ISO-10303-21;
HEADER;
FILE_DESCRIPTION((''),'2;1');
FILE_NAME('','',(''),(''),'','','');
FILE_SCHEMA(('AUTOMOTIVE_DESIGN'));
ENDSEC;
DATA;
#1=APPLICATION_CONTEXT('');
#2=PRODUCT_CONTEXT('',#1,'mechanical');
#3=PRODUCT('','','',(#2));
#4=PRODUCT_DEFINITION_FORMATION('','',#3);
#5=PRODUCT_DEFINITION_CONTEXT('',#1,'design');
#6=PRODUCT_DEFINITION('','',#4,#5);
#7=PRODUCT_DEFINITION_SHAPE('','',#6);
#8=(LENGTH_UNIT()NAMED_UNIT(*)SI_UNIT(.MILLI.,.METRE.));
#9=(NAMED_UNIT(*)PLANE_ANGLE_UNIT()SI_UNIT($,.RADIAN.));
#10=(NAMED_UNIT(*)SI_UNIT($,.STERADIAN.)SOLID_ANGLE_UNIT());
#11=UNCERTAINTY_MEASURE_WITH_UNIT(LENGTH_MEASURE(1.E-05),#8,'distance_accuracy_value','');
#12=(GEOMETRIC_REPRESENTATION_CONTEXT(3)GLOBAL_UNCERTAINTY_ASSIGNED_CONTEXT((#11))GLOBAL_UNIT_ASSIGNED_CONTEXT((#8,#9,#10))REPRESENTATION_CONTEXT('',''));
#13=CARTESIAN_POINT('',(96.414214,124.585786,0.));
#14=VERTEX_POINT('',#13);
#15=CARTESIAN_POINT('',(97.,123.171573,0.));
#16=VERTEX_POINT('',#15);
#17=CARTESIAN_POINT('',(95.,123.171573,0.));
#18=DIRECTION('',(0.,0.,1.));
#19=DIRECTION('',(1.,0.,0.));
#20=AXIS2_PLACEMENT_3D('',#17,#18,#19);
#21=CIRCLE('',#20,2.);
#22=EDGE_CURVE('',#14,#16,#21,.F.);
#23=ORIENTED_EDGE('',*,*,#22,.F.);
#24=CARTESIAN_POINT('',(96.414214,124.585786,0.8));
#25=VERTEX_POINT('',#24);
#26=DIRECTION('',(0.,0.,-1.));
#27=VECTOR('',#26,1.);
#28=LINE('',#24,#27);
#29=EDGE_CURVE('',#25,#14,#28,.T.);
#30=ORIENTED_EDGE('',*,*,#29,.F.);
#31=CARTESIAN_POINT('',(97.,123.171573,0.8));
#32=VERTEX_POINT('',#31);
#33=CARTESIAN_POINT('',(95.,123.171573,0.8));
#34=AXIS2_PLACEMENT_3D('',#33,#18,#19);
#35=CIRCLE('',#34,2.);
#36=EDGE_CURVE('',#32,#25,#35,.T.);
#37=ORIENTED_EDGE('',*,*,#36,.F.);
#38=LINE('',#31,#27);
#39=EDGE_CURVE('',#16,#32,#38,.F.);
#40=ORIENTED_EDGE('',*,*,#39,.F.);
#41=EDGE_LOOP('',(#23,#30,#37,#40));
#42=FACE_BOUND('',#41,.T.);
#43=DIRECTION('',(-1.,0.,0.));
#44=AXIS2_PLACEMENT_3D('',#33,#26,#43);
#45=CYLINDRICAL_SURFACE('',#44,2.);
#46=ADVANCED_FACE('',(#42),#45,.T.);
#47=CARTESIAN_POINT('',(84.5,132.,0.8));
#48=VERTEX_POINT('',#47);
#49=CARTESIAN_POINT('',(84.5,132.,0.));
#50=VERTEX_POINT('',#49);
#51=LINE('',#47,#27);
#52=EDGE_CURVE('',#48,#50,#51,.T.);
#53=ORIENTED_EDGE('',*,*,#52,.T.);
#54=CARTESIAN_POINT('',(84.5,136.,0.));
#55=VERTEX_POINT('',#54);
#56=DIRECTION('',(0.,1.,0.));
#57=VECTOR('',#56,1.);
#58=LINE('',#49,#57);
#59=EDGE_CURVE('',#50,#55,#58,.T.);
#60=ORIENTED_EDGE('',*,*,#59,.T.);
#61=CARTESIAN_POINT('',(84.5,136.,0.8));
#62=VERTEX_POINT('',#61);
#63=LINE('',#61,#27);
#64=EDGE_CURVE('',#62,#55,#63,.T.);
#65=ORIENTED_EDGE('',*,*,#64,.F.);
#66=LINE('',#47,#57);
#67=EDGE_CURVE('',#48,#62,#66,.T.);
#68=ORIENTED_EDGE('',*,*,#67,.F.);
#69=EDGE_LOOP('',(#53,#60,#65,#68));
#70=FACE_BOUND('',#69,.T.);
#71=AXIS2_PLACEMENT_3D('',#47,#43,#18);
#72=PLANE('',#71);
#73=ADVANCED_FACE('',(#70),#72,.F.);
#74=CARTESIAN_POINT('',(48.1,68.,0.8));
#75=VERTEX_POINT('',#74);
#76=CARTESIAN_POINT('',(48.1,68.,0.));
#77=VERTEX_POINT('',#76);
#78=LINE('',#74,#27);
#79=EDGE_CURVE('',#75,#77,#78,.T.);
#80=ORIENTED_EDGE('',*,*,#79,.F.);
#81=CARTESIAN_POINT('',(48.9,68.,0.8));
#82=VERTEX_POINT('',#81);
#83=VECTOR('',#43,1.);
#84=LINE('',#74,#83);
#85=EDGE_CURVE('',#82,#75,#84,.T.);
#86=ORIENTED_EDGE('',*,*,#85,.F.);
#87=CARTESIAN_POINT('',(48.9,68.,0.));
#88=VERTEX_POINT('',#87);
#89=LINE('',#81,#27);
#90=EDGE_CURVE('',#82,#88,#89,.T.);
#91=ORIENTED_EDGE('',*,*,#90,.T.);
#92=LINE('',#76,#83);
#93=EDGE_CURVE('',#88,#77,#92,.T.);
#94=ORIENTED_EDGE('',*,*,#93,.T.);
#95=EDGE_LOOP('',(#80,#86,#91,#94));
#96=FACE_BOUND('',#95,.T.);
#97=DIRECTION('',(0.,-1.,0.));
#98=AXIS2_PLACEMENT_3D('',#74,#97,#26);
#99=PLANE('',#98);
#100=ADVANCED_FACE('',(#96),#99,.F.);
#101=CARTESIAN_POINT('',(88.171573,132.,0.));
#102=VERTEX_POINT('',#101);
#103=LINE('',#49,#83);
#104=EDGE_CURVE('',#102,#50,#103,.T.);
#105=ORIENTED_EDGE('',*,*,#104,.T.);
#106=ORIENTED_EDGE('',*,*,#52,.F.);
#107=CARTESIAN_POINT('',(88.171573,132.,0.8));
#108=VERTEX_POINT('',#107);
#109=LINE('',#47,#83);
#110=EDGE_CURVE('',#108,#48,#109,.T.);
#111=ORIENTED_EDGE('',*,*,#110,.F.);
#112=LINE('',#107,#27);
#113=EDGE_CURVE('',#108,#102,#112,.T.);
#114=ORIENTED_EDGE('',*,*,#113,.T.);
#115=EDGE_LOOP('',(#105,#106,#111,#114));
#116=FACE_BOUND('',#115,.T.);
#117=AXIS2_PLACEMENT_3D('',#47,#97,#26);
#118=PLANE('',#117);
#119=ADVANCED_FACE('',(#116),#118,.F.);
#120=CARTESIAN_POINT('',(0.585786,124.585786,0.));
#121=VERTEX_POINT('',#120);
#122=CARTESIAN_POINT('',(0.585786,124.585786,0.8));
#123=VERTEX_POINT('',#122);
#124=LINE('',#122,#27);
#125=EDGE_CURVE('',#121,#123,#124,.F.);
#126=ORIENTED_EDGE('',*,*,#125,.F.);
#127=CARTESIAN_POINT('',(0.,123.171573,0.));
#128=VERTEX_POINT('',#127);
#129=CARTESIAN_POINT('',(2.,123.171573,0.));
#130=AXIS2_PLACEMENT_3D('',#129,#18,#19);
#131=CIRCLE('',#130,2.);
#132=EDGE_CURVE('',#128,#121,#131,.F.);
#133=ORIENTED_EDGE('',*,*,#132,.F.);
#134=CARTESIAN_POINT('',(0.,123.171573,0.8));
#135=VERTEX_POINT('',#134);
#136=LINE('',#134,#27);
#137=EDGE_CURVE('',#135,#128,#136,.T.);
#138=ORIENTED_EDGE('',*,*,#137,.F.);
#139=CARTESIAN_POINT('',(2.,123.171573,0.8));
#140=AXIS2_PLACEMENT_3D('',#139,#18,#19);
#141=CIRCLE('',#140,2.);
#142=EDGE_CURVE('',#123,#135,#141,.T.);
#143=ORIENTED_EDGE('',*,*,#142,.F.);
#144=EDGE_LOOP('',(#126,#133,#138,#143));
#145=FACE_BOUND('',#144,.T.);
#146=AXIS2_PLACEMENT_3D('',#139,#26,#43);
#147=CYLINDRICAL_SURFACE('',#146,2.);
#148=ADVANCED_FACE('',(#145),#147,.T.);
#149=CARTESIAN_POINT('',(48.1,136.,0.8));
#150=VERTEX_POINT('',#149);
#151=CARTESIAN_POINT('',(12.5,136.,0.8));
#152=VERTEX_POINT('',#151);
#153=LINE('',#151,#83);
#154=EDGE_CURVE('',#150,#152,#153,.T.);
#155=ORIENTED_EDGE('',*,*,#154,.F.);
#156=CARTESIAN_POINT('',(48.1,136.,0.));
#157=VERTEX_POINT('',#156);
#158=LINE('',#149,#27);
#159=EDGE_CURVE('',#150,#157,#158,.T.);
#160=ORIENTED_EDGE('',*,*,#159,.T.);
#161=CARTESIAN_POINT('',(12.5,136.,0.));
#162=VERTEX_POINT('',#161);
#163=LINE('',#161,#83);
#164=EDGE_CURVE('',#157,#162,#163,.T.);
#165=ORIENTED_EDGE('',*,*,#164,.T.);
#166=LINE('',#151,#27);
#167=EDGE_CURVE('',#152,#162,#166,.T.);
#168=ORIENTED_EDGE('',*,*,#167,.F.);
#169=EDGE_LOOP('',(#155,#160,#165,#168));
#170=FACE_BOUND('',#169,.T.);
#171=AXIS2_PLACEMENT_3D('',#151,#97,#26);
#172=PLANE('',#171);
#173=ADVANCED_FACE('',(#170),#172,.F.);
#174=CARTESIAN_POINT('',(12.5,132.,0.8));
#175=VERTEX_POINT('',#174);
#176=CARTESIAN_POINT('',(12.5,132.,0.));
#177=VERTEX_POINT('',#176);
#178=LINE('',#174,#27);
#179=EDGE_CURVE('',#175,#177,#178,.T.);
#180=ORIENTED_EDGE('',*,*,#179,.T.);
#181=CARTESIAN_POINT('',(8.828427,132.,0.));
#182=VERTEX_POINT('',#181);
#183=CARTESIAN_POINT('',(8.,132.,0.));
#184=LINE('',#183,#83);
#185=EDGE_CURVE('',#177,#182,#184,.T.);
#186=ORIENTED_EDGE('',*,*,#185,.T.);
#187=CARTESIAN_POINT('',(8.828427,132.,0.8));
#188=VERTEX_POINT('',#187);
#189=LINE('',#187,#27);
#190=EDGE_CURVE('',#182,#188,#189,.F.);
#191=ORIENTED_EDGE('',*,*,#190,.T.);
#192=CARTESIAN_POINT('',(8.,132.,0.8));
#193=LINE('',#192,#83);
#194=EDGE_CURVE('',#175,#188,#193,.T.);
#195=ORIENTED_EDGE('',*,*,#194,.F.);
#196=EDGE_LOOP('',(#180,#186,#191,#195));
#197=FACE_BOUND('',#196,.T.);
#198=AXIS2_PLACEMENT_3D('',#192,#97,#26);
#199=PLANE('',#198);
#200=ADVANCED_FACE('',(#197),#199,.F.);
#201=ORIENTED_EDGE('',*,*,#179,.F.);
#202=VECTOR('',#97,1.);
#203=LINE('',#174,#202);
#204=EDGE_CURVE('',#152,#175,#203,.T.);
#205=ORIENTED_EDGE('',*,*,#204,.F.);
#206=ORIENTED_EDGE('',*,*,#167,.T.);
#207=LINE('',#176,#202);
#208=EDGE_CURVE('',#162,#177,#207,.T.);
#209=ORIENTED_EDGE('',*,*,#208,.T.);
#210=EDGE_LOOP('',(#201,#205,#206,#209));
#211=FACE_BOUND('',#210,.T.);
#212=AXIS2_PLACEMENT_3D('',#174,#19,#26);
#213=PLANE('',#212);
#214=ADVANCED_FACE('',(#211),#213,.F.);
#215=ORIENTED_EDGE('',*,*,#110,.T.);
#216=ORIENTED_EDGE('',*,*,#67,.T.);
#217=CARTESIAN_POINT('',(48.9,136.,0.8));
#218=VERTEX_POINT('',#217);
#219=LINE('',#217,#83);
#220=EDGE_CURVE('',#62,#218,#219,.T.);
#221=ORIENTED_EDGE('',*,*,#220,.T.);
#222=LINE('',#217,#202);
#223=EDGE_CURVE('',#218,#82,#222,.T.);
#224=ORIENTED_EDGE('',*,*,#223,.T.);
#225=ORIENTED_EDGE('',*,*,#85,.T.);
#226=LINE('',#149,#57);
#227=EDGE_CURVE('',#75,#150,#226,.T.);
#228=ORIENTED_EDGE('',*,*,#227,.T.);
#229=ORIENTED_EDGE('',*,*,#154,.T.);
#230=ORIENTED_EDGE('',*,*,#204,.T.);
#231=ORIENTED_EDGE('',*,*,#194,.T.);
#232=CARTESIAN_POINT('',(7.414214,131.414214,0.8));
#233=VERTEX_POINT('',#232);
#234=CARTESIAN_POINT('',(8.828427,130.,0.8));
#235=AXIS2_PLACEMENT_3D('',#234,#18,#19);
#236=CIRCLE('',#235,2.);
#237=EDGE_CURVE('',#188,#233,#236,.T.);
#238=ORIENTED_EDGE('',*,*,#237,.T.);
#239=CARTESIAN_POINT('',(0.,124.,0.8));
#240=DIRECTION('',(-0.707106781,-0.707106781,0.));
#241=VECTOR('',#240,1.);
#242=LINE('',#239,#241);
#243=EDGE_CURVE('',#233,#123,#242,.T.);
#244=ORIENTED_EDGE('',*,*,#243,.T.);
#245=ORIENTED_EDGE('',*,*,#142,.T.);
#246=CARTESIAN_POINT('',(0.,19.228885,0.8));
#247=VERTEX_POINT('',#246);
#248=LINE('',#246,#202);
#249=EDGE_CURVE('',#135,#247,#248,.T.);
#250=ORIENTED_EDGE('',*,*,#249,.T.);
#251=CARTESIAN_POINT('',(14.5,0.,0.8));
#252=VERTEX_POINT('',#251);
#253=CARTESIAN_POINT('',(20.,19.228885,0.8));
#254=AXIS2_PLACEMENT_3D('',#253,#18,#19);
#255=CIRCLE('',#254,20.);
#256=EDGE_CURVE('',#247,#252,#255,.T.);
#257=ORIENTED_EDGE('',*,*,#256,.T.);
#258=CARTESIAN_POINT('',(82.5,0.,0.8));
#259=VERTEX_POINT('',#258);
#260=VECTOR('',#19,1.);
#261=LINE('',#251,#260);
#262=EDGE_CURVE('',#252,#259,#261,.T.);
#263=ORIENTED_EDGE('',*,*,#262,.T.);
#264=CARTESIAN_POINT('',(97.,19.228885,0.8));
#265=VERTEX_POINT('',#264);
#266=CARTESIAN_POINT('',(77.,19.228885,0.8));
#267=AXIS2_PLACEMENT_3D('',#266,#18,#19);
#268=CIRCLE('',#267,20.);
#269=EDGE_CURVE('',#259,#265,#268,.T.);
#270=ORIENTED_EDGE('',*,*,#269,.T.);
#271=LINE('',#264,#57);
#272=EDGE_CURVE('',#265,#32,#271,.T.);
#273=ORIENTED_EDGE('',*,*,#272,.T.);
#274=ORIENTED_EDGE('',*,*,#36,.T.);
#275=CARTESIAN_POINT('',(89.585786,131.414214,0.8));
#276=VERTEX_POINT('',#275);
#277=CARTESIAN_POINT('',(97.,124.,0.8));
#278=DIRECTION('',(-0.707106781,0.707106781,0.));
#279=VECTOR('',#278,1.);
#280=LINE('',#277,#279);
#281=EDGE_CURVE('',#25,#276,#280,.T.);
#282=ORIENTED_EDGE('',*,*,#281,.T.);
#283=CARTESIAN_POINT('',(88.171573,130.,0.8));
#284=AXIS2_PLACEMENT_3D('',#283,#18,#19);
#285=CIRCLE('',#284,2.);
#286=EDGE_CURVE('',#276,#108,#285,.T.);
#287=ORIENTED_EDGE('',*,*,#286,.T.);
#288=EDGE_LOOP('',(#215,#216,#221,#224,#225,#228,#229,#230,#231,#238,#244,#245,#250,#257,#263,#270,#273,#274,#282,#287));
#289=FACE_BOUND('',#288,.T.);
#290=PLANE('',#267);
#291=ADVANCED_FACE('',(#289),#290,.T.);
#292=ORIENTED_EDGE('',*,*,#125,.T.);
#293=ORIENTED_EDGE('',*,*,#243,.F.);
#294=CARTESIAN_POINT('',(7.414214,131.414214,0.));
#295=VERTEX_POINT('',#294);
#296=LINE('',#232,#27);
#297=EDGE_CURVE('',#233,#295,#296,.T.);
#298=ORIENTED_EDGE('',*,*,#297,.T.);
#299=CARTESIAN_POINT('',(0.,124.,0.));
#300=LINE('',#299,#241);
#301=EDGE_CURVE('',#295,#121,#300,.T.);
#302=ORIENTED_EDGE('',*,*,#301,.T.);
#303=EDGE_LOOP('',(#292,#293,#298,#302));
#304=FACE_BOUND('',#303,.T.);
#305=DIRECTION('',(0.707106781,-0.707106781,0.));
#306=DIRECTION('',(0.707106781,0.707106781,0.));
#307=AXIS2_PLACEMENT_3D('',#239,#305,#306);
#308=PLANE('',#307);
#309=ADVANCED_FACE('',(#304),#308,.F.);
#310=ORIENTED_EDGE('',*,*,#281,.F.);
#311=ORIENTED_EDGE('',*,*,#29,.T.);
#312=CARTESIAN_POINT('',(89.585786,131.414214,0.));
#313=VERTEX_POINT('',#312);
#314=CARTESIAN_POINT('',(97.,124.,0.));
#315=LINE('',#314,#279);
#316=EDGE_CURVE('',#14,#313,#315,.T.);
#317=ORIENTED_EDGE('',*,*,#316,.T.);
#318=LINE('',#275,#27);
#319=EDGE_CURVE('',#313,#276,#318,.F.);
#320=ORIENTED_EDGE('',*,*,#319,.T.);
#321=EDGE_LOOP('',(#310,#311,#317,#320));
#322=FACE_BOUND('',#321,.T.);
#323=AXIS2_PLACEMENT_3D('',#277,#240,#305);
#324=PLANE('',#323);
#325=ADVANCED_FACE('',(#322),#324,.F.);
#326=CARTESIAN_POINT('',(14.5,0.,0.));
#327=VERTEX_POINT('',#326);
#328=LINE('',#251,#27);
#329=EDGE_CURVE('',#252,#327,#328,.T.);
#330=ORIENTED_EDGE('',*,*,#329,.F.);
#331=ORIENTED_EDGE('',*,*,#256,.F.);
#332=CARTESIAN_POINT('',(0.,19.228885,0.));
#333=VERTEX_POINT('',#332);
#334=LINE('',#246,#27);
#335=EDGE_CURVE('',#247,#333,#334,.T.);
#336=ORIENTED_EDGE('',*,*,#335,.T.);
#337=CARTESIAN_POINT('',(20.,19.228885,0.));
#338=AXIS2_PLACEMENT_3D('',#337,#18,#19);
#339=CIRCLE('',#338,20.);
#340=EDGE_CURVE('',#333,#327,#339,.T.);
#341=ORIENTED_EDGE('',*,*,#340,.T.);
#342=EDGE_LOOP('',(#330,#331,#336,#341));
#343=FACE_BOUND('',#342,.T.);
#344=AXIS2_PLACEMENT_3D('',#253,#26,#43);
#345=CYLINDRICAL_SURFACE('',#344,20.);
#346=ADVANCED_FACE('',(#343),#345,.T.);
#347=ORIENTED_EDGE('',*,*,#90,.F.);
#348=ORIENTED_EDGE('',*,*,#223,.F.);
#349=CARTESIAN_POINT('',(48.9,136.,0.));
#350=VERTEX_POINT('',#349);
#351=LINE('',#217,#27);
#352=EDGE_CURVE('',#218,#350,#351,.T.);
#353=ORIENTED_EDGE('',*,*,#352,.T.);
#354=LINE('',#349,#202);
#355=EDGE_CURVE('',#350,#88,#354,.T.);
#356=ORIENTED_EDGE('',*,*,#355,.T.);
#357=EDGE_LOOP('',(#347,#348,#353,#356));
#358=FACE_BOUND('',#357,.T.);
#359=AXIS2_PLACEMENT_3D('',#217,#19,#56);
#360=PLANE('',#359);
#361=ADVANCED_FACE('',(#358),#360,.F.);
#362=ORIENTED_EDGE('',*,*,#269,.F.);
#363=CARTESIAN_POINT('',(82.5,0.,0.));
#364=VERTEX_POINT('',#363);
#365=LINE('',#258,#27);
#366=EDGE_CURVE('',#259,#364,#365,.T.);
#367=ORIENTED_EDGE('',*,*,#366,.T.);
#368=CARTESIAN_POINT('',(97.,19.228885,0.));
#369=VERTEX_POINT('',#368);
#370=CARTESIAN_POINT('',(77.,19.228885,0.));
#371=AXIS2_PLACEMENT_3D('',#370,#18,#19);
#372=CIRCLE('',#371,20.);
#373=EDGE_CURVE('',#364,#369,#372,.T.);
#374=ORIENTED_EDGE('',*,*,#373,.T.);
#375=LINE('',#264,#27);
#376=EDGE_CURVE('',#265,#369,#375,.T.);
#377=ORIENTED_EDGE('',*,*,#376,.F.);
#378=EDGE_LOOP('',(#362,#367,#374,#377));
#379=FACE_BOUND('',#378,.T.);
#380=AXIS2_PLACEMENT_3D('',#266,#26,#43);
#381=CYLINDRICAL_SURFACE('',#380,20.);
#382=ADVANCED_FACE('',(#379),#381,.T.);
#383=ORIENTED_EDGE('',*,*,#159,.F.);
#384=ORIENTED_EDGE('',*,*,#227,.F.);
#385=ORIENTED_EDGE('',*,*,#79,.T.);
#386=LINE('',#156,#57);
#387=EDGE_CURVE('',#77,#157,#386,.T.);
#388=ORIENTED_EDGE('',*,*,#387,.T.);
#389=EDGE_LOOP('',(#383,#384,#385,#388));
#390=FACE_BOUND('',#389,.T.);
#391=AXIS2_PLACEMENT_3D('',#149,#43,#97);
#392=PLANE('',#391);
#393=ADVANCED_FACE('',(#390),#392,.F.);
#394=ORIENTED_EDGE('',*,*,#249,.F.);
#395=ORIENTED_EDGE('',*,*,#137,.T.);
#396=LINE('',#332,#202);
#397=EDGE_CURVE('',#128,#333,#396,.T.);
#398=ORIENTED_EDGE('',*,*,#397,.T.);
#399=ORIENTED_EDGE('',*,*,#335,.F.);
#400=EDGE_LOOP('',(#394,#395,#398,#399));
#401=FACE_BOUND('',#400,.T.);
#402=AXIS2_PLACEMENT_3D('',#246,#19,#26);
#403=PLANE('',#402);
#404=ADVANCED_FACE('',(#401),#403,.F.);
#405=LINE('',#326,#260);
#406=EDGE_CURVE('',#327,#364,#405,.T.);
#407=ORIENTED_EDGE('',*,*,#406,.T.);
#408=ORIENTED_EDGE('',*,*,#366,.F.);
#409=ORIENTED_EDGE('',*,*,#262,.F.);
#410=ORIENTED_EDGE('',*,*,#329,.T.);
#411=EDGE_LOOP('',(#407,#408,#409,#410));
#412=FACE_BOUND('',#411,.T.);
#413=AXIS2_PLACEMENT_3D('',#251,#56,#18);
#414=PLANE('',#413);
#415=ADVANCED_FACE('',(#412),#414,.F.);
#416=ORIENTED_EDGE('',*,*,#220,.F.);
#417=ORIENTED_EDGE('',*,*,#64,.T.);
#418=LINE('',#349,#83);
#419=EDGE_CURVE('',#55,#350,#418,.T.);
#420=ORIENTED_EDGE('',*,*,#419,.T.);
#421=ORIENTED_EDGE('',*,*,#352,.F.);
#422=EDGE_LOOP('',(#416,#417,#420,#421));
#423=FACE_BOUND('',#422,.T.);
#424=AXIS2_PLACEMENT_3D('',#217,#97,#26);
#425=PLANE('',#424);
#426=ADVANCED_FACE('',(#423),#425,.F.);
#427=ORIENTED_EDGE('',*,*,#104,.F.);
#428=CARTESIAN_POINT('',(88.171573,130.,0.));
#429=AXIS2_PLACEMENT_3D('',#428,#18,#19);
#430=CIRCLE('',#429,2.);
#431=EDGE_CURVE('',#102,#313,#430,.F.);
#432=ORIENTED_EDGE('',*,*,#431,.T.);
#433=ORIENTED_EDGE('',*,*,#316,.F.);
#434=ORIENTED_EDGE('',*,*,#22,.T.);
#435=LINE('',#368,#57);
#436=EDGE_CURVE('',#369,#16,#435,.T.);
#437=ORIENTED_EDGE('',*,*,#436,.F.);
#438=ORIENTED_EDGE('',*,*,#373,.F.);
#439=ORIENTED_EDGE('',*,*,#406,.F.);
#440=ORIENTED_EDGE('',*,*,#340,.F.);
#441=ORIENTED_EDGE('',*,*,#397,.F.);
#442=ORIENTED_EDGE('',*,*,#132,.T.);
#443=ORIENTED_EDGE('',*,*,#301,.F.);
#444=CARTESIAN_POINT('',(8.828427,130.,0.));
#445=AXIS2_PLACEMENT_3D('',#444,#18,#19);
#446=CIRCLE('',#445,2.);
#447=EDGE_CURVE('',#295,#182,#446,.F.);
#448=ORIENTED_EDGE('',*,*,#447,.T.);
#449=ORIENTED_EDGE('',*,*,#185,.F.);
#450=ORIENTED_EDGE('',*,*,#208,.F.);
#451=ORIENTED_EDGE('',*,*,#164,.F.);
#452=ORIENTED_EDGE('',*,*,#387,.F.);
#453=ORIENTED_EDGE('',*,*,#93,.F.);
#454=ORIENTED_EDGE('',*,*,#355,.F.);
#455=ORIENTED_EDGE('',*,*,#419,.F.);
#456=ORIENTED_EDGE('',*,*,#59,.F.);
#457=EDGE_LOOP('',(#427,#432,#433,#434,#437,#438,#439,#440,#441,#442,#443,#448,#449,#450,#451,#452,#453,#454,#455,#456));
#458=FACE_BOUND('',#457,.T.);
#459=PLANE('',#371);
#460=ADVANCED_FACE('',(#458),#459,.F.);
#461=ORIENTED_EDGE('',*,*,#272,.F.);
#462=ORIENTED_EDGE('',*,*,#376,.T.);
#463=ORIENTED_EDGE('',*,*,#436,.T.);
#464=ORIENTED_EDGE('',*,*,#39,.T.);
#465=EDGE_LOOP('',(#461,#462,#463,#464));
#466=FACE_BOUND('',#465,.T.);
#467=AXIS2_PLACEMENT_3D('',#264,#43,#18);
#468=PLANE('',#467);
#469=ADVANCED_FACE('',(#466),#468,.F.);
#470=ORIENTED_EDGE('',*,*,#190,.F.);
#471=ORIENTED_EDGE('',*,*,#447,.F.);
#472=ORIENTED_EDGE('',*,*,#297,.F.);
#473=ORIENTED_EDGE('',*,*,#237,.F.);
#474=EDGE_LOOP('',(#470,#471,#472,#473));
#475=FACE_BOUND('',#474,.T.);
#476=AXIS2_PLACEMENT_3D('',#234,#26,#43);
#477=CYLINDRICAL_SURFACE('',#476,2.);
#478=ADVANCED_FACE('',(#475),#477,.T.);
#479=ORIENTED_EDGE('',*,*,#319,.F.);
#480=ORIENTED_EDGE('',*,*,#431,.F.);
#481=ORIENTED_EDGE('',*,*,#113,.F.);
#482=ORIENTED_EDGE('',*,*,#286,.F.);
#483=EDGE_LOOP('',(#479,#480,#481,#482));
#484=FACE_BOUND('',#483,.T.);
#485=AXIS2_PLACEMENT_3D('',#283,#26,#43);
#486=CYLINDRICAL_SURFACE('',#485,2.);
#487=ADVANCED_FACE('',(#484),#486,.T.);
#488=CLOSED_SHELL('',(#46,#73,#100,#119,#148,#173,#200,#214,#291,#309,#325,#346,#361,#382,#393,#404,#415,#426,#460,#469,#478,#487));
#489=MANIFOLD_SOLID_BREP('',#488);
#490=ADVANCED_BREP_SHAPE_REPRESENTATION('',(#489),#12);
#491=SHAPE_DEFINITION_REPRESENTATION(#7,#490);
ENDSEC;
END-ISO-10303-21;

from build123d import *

# Parameters (mm, degrees)
BOSS_EXTRUDE1_DEPTH = 0.8
FILLET1_R           = 2


with BuildPart() as part:
    # Sketch1 → Boss-Extrude1 (new body)
    with BuildSketch(Plane.XY):
        with BuildLine():
            Line((14.5, 0), (82.5, 0))
            ThreePointArc((82.5, 0), (92.968719423, 7.187289944), (97, 19.228884523))
            Line((97, 19.228884523), (97, 124))
            Line((97, 124), (89, 132))
            Line((89, 132), (84.5, 132))
            Line((84.5, 132), (84.5, 136))
            Line((84.5, 136), (48.9, 136))
            Line((48.9, 136), (48.9, 68))
            Line((48.9, 68), (48.1, 68))
            Line((48.1, 68), (48.1, 136))
            Line((48.1, 136), (12.5, 136))
            Line((12.5, 136), (12.5, 132))
            Line((12.5, 132), (8, 132))
            Line((8, 132), (0, 124))
            Line((0, 124), (0, 19.228884523))
            ThreePointArc((0, 19.228884523), (4.031280577, 7.187289944), (14.5, 0))
        make_face()
    extrude(amount=BOSS_EXTRUDE1_DEPTH)

    # Fillet1
    fillet1_edges = [part.edges().sort_by_distance(p)[0] for p in [
        (89, 132, 0.4),
        (97, 124, 0.4),
        (0, 124, 0.4),
        (8, 132, 0.4),
    ]]
    fillet(fillet1_edges, radius=FILLET1_R)


solid = part.part
